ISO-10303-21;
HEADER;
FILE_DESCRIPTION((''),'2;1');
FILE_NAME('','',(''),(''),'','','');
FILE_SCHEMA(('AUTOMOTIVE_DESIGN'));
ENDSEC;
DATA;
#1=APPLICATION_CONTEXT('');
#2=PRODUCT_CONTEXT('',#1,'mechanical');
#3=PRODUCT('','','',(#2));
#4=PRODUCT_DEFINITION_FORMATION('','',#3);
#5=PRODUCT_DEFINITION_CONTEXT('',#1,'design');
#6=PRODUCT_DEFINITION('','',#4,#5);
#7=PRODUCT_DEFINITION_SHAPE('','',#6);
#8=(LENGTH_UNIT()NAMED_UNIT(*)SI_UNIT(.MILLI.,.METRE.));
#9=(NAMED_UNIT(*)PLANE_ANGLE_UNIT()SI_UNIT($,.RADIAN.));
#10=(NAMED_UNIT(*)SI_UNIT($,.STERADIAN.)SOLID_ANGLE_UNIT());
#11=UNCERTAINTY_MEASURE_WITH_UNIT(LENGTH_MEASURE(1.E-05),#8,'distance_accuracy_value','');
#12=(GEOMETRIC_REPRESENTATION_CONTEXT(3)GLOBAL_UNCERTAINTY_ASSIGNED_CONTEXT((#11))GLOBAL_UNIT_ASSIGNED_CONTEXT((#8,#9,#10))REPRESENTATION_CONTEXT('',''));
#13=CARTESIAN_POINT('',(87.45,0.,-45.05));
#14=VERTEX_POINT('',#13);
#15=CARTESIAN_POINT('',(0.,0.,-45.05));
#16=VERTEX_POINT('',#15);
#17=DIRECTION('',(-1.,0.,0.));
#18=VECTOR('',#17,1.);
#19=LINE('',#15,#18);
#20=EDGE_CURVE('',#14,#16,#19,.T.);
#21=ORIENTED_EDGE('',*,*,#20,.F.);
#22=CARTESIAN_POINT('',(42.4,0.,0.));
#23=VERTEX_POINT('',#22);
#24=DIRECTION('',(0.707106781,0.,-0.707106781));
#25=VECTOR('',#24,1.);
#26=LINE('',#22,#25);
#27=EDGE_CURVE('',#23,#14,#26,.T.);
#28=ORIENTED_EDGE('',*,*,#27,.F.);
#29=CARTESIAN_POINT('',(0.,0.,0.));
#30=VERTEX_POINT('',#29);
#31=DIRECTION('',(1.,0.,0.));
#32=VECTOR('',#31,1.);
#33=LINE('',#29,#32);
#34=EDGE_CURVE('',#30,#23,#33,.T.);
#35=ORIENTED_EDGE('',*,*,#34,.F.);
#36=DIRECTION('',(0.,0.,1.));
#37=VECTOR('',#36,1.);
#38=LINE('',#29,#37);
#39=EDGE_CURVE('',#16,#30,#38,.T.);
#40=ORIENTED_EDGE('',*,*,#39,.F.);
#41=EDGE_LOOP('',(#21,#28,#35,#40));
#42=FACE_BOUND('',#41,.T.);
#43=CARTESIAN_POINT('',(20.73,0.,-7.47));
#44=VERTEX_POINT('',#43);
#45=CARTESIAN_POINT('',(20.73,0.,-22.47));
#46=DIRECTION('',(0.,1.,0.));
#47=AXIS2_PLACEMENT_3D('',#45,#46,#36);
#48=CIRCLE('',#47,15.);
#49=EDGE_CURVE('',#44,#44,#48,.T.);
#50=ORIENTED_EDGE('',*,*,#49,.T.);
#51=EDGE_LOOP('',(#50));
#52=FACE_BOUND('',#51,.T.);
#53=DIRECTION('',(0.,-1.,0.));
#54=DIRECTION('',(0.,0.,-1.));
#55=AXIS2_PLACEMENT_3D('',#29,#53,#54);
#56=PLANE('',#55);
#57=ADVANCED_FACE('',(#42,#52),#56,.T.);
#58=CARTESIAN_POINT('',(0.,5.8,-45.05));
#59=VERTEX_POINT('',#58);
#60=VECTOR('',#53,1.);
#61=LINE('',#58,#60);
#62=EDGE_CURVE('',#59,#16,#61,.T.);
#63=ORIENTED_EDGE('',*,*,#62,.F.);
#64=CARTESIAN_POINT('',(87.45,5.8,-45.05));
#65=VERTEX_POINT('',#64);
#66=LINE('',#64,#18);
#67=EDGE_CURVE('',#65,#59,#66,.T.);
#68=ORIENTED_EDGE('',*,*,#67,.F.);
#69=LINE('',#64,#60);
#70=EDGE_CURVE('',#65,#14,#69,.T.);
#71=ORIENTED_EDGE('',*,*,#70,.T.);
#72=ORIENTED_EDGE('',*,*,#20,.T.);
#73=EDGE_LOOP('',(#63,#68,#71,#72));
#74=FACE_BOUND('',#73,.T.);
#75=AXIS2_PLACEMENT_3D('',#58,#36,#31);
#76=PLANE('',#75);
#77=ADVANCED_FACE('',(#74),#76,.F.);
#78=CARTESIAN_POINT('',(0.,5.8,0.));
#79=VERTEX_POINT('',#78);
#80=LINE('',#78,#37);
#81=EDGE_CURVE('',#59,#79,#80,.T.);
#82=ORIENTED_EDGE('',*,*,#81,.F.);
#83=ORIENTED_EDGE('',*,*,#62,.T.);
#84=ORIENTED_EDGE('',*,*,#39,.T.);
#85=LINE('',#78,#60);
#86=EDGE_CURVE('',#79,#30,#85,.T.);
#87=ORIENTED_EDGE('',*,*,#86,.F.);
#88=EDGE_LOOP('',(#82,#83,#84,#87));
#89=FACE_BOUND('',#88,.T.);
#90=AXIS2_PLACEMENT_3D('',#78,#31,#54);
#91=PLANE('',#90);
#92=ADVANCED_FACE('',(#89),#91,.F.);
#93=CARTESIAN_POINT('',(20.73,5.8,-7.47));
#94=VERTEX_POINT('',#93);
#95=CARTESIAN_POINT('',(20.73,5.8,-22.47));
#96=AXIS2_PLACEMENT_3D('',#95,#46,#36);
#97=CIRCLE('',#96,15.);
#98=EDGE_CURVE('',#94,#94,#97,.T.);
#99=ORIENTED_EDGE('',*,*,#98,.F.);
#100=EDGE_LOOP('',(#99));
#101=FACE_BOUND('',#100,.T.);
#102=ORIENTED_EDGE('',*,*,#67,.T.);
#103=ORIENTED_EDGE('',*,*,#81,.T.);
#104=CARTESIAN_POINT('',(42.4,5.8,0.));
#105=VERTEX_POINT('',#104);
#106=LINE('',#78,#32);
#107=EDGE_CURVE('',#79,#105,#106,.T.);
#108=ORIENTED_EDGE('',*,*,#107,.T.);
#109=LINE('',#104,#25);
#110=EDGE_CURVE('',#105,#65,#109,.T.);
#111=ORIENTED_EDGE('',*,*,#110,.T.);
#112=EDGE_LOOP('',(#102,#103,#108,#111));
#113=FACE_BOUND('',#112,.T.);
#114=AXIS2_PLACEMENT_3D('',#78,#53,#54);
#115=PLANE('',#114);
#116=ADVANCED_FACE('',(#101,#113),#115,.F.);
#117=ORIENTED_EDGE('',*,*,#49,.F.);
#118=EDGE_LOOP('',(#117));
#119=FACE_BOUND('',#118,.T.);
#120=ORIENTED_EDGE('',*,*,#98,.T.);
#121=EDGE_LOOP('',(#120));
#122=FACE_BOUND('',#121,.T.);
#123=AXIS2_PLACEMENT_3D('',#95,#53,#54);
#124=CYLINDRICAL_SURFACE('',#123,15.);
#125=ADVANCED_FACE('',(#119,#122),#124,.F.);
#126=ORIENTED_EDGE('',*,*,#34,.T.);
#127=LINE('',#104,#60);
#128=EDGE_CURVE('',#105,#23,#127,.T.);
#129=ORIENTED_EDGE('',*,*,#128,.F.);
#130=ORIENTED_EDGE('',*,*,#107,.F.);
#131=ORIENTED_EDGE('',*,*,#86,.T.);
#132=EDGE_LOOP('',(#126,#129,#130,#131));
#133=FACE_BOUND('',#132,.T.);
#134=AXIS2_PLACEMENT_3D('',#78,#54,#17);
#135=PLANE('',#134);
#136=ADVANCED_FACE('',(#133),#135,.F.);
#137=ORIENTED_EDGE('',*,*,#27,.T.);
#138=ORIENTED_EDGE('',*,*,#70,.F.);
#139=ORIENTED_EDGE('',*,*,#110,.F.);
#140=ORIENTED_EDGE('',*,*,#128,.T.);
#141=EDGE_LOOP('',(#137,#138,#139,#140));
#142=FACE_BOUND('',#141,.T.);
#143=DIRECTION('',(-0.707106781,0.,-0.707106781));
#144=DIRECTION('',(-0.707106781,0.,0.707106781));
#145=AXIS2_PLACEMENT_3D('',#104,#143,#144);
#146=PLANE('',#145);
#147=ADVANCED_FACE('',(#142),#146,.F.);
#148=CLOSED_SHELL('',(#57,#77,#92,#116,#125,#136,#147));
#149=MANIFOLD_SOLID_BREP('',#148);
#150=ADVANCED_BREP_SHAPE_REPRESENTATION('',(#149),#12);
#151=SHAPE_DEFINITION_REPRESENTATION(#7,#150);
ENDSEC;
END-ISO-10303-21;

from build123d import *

# Parameters (mm, degrees)
SKETCH1_R           = 15
BOSS_EXTRUDE1_DEPTH = 5.8


with BuildPart() as part:
    # Sketch1 → Boss-Extrude1 (new body)
    with BuildSketch(Plane(origin=(0, 0, 0), x_dir=(1, 0, 0), z_dir=(0, 1, 0))):
        Polygon((42.4, 0), (87.45, 45.05), (52.797452229, 45.05), (0, 45.05), (0, 0), align=None)
        with Locations((20.73, 22.47)):
            Circle(SKETCH1_R, mode=Mode.SUBTRACT)
    extrude(amount=BOSS_EXTRUDE1_DEPTH)


solid = part.part
